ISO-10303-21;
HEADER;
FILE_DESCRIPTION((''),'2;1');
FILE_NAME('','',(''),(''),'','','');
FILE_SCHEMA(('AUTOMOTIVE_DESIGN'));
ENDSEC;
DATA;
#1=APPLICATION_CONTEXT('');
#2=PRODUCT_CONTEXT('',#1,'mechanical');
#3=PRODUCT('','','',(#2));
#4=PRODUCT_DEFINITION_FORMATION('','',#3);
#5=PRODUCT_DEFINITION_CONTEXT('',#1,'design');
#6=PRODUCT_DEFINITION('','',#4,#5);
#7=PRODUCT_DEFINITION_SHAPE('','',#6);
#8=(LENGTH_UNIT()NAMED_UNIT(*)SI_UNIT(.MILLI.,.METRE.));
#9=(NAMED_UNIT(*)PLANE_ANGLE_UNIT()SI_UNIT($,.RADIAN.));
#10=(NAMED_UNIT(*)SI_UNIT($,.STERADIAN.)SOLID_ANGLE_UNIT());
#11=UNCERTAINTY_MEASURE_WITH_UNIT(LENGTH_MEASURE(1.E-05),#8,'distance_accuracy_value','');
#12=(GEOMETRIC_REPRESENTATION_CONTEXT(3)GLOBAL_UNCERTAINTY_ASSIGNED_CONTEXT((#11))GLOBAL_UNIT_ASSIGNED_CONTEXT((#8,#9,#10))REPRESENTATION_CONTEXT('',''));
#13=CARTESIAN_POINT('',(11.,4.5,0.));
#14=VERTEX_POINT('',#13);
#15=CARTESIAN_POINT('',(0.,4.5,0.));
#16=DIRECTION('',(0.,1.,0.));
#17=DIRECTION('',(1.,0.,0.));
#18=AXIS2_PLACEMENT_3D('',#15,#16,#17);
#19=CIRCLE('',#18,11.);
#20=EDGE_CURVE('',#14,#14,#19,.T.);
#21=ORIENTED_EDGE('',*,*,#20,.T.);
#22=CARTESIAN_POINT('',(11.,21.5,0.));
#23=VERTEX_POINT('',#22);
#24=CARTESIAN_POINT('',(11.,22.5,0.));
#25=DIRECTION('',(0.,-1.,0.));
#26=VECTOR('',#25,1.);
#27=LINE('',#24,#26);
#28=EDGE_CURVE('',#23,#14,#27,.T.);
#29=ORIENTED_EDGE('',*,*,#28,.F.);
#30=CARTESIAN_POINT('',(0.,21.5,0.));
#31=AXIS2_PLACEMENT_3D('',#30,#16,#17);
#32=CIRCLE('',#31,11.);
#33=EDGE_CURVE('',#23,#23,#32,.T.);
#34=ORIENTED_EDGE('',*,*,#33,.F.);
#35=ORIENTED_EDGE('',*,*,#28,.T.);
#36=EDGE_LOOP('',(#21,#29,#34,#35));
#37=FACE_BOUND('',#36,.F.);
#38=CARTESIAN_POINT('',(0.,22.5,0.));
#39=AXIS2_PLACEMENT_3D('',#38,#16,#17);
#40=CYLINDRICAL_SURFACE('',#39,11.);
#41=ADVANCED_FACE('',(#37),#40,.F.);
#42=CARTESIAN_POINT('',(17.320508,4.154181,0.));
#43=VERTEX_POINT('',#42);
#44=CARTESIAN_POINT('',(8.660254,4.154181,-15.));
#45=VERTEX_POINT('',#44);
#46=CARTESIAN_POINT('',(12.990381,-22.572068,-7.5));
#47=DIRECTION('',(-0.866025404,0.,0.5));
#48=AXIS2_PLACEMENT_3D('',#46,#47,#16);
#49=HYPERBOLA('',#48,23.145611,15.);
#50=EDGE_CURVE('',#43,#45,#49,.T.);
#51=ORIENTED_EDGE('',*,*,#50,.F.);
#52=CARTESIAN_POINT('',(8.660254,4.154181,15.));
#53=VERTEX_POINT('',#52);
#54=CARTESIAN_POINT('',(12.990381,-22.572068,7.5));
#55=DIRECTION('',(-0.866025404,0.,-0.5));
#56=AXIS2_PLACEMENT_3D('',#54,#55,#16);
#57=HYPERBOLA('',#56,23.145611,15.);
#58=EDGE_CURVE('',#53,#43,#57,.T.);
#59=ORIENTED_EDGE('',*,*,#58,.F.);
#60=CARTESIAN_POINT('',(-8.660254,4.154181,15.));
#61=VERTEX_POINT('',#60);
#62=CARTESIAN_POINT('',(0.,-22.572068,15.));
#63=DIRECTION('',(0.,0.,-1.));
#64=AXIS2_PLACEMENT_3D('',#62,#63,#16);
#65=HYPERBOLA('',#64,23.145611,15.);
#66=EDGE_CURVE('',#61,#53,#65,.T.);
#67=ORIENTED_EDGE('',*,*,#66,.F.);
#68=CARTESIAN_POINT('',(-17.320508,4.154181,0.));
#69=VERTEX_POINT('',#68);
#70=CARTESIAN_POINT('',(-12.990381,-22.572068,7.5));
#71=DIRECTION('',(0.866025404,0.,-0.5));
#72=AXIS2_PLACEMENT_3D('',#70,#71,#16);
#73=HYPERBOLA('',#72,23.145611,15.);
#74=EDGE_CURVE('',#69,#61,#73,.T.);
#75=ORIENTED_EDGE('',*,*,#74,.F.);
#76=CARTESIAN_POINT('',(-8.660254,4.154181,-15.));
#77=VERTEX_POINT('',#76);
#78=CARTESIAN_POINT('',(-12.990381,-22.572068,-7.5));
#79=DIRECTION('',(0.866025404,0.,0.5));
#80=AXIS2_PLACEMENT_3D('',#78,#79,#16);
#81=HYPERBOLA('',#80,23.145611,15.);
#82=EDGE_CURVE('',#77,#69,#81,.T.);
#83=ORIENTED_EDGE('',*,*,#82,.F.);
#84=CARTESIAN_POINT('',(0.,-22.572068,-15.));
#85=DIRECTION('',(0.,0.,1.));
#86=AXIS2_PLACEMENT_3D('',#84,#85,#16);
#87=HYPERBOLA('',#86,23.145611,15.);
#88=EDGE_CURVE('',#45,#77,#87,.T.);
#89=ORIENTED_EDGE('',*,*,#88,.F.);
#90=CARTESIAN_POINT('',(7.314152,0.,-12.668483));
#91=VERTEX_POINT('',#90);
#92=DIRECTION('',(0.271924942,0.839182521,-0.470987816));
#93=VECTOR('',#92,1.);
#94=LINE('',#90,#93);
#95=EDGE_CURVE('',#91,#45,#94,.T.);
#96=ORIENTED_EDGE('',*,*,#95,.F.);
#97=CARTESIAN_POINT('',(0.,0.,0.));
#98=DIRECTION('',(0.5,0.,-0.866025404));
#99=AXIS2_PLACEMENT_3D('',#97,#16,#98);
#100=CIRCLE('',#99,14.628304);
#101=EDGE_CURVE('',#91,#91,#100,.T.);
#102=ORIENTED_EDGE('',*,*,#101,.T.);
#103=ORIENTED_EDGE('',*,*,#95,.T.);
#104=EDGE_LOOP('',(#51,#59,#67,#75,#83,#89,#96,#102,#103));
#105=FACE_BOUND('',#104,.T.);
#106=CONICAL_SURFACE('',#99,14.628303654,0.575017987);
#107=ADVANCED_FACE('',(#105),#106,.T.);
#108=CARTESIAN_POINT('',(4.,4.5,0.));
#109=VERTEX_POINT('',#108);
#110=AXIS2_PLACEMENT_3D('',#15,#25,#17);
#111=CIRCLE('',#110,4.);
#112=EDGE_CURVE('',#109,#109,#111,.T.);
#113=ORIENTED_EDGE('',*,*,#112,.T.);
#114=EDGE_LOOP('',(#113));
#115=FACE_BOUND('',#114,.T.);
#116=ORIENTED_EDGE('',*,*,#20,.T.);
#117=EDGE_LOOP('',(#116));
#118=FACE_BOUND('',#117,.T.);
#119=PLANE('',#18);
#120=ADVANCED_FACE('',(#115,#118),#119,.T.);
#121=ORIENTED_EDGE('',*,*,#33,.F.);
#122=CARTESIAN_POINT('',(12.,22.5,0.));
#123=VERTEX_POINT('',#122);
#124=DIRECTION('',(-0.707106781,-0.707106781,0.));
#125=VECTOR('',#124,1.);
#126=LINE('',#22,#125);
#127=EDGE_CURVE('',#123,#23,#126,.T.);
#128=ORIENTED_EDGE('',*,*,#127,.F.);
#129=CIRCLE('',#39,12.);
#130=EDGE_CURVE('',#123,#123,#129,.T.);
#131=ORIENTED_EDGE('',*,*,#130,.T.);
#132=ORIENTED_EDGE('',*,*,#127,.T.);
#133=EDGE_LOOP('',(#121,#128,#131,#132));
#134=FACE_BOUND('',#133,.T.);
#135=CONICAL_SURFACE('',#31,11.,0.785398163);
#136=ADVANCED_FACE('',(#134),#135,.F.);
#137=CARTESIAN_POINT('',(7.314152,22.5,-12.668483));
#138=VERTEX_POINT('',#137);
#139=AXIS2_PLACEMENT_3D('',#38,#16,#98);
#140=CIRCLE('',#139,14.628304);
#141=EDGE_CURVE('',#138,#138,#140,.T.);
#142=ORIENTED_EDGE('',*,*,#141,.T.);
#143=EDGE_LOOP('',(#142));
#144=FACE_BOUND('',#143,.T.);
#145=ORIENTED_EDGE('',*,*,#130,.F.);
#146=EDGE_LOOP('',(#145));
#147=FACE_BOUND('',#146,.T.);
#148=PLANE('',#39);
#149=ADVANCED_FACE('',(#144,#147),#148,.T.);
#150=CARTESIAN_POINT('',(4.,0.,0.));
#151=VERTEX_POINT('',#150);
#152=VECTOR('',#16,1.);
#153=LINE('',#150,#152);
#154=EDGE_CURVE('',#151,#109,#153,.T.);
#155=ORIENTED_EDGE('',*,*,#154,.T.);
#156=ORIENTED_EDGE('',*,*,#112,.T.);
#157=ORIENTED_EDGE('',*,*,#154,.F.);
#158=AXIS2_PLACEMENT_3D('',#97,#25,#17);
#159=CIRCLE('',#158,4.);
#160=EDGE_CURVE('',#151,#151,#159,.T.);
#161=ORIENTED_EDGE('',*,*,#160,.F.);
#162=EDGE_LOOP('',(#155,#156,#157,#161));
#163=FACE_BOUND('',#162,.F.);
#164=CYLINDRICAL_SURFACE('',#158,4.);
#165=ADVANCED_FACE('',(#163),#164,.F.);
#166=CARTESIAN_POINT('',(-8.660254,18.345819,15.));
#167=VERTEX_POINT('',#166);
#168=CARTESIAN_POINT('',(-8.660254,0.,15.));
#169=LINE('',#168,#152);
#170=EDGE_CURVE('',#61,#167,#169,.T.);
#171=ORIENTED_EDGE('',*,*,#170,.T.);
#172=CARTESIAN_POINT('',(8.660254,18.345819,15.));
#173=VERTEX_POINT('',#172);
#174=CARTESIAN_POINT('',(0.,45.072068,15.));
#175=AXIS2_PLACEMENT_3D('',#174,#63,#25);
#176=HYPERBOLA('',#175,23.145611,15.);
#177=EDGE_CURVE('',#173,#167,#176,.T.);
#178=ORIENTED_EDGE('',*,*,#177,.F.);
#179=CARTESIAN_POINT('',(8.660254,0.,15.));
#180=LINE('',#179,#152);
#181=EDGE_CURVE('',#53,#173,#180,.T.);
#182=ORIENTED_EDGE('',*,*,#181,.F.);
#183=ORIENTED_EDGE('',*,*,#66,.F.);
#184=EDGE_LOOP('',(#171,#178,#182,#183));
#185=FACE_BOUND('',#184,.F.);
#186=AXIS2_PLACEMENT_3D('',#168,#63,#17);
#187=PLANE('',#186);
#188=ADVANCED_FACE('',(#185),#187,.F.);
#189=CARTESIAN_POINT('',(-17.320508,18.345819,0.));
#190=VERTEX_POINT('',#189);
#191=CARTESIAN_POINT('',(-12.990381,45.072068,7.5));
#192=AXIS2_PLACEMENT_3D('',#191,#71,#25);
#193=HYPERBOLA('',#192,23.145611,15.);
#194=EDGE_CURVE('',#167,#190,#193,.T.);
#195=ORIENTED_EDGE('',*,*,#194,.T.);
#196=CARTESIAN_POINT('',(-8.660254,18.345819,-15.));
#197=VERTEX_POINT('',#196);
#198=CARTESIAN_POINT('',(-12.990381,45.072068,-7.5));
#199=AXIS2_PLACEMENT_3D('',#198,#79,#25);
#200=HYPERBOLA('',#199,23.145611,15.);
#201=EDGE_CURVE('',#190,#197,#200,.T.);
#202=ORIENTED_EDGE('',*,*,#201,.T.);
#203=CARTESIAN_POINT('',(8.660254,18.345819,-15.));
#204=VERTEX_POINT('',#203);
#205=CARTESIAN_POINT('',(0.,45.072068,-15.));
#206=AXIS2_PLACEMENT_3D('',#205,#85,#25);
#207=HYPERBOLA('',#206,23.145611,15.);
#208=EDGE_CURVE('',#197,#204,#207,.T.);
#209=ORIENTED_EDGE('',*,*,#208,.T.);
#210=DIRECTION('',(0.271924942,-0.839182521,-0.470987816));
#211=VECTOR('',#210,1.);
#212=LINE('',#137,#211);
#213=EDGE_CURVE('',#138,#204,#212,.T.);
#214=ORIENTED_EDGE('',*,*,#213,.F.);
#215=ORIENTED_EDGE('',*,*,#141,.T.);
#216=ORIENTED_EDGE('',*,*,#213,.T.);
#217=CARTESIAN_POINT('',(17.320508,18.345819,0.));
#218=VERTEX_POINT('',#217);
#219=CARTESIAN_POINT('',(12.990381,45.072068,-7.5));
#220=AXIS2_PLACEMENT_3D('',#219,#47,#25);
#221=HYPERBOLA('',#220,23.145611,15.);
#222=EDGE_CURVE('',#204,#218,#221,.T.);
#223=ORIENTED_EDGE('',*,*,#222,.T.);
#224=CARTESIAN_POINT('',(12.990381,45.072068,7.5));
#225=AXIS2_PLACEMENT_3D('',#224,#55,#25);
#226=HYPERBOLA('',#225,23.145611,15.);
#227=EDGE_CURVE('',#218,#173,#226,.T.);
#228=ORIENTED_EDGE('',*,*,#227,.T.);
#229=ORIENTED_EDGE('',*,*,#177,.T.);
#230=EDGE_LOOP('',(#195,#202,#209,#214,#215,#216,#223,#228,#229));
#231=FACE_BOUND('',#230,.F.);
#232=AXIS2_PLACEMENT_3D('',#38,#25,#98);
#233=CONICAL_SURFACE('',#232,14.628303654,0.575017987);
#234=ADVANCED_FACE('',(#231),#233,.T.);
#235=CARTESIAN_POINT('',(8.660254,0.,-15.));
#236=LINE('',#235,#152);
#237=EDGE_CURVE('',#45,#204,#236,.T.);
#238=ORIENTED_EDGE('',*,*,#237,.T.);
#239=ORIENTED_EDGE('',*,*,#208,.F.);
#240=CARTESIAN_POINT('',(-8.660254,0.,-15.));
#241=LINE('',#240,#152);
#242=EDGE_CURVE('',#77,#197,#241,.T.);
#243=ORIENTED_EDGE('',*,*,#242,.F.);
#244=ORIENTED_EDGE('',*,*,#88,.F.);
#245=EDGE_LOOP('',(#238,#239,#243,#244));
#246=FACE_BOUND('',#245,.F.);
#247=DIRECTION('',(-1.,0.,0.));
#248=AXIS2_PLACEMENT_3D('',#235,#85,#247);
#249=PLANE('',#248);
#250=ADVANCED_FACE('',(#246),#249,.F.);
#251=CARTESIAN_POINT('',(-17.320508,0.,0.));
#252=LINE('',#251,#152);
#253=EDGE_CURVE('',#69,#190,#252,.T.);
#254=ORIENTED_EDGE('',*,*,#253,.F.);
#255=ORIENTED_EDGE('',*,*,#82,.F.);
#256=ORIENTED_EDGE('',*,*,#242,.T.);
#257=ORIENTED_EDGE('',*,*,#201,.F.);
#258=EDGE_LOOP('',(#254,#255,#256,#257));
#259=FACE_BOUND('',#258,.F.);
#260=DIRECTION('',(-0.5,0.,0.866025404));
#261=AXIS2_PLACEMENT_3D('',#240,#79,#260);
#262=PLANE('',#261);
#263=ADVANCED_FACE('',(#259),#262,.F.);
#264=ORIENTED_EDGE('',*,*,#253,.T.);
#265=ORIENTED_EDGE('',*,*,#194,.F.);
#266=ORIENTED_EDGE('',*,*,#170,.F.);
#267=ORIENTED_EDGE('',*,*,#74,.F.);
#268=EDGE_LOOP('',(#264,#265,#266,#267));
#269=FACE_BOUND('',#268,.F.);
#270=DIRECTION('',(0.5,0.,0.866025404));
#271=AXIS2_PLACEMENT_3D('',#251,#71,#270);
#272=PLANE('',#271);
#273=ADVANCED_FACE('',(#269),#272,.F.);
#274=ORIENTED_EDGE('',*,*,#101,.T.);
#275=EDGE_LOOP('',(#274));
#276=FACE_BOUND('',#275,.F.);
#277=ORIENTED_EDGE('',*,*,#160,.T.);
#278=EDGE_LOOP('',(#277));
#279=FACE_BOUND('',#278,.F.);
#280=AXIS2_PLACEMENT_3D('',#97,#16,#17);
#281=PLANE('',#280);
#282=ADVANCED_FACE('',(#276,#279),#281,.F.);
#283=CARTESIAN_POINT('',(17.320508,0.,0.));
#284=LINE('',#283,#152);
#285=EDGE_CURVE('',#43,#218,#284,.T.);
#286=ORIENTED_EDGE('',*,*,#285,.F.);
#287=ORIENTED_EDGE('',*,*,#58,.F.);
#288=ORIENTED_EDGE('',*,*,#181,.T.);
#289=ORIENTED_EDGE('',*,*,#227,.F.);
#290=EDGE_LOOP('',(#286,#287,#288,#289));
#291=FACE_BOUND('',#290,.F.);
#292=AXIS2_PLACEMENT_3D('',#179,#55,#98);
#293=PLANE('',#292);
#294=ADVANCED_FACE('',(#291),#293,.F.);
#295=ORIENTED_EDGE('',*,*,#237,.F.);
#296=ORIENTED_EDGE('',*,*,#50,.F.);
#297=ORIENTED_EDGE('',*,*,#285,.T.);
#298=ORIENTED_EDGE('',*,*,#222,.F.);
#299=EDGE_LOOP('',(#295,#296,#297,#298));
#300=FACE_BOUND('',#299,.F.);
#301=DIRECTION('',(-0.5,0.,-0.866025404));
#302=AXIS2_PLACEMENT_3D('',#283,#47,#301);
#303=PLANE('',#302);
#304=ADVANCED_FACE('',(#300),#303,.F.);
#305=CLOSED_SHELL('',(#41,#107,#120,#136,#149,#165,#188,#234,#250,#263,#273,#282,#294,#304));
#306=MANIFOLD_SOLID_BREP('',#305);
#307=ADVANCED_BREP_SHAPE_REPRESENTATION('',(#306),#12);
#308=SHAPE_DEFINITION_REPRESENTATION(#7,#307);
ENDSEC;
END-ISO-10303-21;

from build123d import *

# Parameters (mm, degrees)
EXTRUDE_1_DEPTH     = 22.5
SKETCH_2_R          = 11
CUT_EXTRUDE_2_DEPTH = 18
CUT_EXTRUDE_3_REACH = 24.5
SKETCH_3_R          = 4
CHAMFER_1_SIZE      = 1


with BuildPart() as part:
    # Эскиз1 → Бобышка-Вытянуть1 (new body)
    with BuildSketch(Plane(origin=(0, 0, 0), x_dir=(1, 0, 0), z_dir=(0, 1, 0))):
        Polygon((17.320508076, 0), (8.660254038, 15), (-8.660254038, 15), (-17.320508076, 0), (-8.660254038, -15), (8.660254038, -15), align=None)
    extrude(amount=EXTRUDE_1_DEPTH)

    # Эскиз2 → Вырез-Вытянуть2 (cut)
    with BuildSketch(Plane(origin=(0, 22.5, 0), x_dir=(1, 0, 0), z_dir=(0, 1, 0))):
        Circle(SKETCH_2_R)
    extrude(amount=-CUT_EXTRUDE_2_DEPTH, mode=Mode.SUBTRACT)

    # Эскиз3 → Вырез-Вытянуть3 (cut, up to next)
    with BuildSketch(Plane.XZ, mode=Mode.PRIVATE) as cut_extrude_3_sk1:
        Circle(SKETCH_3_R)
    cut_extrude_3_tool1 = extrude(cut_extrude_3_sk1.sketch, amount=-CUT_EXTRUDE_3_REACH, mode=Mode.PRIVATE) & part.part
    add(cut_extrude_3_tool1.solids().sort_by_distance((0, 0, 0))[0], mode=Mode.SUBTRACT)

    # Эскиз4 → Вырез-Повернуть1 (revolve, cut)
    with BuildSketch(Plane(origin=(0, 0, 0), x_dir=(-0.5, 0, 0.866025404), z_dir=(-0.866025404, 0, -0.5))):
        Polygon((-17.320508076, 18.345818937), (-17.320508076, 22.5), (-14.628303654, 22.5), align=None)
    cut_revolve_1 = revolve(axis=Axis((0, 0, 0), (0, 1, 0)), mode=Mode.SUBTRACT)

    # Зеркальное отражение1: Вырез-Повернуть1 across plane
    add(cut_revolve_1.mirror(Plane.ZX.offset(11.25)), mode=Mode.SUBTRACT)

    # Фаска1
    chamfer_1_edges = [part.edges().sort_by_distance(p)[0] for p in [
        (-11, 22.5, 0),
    ]]
    chamfer(chamfer_1_edges, length=CHAMFER_1_SIZE)


solid = part.part
